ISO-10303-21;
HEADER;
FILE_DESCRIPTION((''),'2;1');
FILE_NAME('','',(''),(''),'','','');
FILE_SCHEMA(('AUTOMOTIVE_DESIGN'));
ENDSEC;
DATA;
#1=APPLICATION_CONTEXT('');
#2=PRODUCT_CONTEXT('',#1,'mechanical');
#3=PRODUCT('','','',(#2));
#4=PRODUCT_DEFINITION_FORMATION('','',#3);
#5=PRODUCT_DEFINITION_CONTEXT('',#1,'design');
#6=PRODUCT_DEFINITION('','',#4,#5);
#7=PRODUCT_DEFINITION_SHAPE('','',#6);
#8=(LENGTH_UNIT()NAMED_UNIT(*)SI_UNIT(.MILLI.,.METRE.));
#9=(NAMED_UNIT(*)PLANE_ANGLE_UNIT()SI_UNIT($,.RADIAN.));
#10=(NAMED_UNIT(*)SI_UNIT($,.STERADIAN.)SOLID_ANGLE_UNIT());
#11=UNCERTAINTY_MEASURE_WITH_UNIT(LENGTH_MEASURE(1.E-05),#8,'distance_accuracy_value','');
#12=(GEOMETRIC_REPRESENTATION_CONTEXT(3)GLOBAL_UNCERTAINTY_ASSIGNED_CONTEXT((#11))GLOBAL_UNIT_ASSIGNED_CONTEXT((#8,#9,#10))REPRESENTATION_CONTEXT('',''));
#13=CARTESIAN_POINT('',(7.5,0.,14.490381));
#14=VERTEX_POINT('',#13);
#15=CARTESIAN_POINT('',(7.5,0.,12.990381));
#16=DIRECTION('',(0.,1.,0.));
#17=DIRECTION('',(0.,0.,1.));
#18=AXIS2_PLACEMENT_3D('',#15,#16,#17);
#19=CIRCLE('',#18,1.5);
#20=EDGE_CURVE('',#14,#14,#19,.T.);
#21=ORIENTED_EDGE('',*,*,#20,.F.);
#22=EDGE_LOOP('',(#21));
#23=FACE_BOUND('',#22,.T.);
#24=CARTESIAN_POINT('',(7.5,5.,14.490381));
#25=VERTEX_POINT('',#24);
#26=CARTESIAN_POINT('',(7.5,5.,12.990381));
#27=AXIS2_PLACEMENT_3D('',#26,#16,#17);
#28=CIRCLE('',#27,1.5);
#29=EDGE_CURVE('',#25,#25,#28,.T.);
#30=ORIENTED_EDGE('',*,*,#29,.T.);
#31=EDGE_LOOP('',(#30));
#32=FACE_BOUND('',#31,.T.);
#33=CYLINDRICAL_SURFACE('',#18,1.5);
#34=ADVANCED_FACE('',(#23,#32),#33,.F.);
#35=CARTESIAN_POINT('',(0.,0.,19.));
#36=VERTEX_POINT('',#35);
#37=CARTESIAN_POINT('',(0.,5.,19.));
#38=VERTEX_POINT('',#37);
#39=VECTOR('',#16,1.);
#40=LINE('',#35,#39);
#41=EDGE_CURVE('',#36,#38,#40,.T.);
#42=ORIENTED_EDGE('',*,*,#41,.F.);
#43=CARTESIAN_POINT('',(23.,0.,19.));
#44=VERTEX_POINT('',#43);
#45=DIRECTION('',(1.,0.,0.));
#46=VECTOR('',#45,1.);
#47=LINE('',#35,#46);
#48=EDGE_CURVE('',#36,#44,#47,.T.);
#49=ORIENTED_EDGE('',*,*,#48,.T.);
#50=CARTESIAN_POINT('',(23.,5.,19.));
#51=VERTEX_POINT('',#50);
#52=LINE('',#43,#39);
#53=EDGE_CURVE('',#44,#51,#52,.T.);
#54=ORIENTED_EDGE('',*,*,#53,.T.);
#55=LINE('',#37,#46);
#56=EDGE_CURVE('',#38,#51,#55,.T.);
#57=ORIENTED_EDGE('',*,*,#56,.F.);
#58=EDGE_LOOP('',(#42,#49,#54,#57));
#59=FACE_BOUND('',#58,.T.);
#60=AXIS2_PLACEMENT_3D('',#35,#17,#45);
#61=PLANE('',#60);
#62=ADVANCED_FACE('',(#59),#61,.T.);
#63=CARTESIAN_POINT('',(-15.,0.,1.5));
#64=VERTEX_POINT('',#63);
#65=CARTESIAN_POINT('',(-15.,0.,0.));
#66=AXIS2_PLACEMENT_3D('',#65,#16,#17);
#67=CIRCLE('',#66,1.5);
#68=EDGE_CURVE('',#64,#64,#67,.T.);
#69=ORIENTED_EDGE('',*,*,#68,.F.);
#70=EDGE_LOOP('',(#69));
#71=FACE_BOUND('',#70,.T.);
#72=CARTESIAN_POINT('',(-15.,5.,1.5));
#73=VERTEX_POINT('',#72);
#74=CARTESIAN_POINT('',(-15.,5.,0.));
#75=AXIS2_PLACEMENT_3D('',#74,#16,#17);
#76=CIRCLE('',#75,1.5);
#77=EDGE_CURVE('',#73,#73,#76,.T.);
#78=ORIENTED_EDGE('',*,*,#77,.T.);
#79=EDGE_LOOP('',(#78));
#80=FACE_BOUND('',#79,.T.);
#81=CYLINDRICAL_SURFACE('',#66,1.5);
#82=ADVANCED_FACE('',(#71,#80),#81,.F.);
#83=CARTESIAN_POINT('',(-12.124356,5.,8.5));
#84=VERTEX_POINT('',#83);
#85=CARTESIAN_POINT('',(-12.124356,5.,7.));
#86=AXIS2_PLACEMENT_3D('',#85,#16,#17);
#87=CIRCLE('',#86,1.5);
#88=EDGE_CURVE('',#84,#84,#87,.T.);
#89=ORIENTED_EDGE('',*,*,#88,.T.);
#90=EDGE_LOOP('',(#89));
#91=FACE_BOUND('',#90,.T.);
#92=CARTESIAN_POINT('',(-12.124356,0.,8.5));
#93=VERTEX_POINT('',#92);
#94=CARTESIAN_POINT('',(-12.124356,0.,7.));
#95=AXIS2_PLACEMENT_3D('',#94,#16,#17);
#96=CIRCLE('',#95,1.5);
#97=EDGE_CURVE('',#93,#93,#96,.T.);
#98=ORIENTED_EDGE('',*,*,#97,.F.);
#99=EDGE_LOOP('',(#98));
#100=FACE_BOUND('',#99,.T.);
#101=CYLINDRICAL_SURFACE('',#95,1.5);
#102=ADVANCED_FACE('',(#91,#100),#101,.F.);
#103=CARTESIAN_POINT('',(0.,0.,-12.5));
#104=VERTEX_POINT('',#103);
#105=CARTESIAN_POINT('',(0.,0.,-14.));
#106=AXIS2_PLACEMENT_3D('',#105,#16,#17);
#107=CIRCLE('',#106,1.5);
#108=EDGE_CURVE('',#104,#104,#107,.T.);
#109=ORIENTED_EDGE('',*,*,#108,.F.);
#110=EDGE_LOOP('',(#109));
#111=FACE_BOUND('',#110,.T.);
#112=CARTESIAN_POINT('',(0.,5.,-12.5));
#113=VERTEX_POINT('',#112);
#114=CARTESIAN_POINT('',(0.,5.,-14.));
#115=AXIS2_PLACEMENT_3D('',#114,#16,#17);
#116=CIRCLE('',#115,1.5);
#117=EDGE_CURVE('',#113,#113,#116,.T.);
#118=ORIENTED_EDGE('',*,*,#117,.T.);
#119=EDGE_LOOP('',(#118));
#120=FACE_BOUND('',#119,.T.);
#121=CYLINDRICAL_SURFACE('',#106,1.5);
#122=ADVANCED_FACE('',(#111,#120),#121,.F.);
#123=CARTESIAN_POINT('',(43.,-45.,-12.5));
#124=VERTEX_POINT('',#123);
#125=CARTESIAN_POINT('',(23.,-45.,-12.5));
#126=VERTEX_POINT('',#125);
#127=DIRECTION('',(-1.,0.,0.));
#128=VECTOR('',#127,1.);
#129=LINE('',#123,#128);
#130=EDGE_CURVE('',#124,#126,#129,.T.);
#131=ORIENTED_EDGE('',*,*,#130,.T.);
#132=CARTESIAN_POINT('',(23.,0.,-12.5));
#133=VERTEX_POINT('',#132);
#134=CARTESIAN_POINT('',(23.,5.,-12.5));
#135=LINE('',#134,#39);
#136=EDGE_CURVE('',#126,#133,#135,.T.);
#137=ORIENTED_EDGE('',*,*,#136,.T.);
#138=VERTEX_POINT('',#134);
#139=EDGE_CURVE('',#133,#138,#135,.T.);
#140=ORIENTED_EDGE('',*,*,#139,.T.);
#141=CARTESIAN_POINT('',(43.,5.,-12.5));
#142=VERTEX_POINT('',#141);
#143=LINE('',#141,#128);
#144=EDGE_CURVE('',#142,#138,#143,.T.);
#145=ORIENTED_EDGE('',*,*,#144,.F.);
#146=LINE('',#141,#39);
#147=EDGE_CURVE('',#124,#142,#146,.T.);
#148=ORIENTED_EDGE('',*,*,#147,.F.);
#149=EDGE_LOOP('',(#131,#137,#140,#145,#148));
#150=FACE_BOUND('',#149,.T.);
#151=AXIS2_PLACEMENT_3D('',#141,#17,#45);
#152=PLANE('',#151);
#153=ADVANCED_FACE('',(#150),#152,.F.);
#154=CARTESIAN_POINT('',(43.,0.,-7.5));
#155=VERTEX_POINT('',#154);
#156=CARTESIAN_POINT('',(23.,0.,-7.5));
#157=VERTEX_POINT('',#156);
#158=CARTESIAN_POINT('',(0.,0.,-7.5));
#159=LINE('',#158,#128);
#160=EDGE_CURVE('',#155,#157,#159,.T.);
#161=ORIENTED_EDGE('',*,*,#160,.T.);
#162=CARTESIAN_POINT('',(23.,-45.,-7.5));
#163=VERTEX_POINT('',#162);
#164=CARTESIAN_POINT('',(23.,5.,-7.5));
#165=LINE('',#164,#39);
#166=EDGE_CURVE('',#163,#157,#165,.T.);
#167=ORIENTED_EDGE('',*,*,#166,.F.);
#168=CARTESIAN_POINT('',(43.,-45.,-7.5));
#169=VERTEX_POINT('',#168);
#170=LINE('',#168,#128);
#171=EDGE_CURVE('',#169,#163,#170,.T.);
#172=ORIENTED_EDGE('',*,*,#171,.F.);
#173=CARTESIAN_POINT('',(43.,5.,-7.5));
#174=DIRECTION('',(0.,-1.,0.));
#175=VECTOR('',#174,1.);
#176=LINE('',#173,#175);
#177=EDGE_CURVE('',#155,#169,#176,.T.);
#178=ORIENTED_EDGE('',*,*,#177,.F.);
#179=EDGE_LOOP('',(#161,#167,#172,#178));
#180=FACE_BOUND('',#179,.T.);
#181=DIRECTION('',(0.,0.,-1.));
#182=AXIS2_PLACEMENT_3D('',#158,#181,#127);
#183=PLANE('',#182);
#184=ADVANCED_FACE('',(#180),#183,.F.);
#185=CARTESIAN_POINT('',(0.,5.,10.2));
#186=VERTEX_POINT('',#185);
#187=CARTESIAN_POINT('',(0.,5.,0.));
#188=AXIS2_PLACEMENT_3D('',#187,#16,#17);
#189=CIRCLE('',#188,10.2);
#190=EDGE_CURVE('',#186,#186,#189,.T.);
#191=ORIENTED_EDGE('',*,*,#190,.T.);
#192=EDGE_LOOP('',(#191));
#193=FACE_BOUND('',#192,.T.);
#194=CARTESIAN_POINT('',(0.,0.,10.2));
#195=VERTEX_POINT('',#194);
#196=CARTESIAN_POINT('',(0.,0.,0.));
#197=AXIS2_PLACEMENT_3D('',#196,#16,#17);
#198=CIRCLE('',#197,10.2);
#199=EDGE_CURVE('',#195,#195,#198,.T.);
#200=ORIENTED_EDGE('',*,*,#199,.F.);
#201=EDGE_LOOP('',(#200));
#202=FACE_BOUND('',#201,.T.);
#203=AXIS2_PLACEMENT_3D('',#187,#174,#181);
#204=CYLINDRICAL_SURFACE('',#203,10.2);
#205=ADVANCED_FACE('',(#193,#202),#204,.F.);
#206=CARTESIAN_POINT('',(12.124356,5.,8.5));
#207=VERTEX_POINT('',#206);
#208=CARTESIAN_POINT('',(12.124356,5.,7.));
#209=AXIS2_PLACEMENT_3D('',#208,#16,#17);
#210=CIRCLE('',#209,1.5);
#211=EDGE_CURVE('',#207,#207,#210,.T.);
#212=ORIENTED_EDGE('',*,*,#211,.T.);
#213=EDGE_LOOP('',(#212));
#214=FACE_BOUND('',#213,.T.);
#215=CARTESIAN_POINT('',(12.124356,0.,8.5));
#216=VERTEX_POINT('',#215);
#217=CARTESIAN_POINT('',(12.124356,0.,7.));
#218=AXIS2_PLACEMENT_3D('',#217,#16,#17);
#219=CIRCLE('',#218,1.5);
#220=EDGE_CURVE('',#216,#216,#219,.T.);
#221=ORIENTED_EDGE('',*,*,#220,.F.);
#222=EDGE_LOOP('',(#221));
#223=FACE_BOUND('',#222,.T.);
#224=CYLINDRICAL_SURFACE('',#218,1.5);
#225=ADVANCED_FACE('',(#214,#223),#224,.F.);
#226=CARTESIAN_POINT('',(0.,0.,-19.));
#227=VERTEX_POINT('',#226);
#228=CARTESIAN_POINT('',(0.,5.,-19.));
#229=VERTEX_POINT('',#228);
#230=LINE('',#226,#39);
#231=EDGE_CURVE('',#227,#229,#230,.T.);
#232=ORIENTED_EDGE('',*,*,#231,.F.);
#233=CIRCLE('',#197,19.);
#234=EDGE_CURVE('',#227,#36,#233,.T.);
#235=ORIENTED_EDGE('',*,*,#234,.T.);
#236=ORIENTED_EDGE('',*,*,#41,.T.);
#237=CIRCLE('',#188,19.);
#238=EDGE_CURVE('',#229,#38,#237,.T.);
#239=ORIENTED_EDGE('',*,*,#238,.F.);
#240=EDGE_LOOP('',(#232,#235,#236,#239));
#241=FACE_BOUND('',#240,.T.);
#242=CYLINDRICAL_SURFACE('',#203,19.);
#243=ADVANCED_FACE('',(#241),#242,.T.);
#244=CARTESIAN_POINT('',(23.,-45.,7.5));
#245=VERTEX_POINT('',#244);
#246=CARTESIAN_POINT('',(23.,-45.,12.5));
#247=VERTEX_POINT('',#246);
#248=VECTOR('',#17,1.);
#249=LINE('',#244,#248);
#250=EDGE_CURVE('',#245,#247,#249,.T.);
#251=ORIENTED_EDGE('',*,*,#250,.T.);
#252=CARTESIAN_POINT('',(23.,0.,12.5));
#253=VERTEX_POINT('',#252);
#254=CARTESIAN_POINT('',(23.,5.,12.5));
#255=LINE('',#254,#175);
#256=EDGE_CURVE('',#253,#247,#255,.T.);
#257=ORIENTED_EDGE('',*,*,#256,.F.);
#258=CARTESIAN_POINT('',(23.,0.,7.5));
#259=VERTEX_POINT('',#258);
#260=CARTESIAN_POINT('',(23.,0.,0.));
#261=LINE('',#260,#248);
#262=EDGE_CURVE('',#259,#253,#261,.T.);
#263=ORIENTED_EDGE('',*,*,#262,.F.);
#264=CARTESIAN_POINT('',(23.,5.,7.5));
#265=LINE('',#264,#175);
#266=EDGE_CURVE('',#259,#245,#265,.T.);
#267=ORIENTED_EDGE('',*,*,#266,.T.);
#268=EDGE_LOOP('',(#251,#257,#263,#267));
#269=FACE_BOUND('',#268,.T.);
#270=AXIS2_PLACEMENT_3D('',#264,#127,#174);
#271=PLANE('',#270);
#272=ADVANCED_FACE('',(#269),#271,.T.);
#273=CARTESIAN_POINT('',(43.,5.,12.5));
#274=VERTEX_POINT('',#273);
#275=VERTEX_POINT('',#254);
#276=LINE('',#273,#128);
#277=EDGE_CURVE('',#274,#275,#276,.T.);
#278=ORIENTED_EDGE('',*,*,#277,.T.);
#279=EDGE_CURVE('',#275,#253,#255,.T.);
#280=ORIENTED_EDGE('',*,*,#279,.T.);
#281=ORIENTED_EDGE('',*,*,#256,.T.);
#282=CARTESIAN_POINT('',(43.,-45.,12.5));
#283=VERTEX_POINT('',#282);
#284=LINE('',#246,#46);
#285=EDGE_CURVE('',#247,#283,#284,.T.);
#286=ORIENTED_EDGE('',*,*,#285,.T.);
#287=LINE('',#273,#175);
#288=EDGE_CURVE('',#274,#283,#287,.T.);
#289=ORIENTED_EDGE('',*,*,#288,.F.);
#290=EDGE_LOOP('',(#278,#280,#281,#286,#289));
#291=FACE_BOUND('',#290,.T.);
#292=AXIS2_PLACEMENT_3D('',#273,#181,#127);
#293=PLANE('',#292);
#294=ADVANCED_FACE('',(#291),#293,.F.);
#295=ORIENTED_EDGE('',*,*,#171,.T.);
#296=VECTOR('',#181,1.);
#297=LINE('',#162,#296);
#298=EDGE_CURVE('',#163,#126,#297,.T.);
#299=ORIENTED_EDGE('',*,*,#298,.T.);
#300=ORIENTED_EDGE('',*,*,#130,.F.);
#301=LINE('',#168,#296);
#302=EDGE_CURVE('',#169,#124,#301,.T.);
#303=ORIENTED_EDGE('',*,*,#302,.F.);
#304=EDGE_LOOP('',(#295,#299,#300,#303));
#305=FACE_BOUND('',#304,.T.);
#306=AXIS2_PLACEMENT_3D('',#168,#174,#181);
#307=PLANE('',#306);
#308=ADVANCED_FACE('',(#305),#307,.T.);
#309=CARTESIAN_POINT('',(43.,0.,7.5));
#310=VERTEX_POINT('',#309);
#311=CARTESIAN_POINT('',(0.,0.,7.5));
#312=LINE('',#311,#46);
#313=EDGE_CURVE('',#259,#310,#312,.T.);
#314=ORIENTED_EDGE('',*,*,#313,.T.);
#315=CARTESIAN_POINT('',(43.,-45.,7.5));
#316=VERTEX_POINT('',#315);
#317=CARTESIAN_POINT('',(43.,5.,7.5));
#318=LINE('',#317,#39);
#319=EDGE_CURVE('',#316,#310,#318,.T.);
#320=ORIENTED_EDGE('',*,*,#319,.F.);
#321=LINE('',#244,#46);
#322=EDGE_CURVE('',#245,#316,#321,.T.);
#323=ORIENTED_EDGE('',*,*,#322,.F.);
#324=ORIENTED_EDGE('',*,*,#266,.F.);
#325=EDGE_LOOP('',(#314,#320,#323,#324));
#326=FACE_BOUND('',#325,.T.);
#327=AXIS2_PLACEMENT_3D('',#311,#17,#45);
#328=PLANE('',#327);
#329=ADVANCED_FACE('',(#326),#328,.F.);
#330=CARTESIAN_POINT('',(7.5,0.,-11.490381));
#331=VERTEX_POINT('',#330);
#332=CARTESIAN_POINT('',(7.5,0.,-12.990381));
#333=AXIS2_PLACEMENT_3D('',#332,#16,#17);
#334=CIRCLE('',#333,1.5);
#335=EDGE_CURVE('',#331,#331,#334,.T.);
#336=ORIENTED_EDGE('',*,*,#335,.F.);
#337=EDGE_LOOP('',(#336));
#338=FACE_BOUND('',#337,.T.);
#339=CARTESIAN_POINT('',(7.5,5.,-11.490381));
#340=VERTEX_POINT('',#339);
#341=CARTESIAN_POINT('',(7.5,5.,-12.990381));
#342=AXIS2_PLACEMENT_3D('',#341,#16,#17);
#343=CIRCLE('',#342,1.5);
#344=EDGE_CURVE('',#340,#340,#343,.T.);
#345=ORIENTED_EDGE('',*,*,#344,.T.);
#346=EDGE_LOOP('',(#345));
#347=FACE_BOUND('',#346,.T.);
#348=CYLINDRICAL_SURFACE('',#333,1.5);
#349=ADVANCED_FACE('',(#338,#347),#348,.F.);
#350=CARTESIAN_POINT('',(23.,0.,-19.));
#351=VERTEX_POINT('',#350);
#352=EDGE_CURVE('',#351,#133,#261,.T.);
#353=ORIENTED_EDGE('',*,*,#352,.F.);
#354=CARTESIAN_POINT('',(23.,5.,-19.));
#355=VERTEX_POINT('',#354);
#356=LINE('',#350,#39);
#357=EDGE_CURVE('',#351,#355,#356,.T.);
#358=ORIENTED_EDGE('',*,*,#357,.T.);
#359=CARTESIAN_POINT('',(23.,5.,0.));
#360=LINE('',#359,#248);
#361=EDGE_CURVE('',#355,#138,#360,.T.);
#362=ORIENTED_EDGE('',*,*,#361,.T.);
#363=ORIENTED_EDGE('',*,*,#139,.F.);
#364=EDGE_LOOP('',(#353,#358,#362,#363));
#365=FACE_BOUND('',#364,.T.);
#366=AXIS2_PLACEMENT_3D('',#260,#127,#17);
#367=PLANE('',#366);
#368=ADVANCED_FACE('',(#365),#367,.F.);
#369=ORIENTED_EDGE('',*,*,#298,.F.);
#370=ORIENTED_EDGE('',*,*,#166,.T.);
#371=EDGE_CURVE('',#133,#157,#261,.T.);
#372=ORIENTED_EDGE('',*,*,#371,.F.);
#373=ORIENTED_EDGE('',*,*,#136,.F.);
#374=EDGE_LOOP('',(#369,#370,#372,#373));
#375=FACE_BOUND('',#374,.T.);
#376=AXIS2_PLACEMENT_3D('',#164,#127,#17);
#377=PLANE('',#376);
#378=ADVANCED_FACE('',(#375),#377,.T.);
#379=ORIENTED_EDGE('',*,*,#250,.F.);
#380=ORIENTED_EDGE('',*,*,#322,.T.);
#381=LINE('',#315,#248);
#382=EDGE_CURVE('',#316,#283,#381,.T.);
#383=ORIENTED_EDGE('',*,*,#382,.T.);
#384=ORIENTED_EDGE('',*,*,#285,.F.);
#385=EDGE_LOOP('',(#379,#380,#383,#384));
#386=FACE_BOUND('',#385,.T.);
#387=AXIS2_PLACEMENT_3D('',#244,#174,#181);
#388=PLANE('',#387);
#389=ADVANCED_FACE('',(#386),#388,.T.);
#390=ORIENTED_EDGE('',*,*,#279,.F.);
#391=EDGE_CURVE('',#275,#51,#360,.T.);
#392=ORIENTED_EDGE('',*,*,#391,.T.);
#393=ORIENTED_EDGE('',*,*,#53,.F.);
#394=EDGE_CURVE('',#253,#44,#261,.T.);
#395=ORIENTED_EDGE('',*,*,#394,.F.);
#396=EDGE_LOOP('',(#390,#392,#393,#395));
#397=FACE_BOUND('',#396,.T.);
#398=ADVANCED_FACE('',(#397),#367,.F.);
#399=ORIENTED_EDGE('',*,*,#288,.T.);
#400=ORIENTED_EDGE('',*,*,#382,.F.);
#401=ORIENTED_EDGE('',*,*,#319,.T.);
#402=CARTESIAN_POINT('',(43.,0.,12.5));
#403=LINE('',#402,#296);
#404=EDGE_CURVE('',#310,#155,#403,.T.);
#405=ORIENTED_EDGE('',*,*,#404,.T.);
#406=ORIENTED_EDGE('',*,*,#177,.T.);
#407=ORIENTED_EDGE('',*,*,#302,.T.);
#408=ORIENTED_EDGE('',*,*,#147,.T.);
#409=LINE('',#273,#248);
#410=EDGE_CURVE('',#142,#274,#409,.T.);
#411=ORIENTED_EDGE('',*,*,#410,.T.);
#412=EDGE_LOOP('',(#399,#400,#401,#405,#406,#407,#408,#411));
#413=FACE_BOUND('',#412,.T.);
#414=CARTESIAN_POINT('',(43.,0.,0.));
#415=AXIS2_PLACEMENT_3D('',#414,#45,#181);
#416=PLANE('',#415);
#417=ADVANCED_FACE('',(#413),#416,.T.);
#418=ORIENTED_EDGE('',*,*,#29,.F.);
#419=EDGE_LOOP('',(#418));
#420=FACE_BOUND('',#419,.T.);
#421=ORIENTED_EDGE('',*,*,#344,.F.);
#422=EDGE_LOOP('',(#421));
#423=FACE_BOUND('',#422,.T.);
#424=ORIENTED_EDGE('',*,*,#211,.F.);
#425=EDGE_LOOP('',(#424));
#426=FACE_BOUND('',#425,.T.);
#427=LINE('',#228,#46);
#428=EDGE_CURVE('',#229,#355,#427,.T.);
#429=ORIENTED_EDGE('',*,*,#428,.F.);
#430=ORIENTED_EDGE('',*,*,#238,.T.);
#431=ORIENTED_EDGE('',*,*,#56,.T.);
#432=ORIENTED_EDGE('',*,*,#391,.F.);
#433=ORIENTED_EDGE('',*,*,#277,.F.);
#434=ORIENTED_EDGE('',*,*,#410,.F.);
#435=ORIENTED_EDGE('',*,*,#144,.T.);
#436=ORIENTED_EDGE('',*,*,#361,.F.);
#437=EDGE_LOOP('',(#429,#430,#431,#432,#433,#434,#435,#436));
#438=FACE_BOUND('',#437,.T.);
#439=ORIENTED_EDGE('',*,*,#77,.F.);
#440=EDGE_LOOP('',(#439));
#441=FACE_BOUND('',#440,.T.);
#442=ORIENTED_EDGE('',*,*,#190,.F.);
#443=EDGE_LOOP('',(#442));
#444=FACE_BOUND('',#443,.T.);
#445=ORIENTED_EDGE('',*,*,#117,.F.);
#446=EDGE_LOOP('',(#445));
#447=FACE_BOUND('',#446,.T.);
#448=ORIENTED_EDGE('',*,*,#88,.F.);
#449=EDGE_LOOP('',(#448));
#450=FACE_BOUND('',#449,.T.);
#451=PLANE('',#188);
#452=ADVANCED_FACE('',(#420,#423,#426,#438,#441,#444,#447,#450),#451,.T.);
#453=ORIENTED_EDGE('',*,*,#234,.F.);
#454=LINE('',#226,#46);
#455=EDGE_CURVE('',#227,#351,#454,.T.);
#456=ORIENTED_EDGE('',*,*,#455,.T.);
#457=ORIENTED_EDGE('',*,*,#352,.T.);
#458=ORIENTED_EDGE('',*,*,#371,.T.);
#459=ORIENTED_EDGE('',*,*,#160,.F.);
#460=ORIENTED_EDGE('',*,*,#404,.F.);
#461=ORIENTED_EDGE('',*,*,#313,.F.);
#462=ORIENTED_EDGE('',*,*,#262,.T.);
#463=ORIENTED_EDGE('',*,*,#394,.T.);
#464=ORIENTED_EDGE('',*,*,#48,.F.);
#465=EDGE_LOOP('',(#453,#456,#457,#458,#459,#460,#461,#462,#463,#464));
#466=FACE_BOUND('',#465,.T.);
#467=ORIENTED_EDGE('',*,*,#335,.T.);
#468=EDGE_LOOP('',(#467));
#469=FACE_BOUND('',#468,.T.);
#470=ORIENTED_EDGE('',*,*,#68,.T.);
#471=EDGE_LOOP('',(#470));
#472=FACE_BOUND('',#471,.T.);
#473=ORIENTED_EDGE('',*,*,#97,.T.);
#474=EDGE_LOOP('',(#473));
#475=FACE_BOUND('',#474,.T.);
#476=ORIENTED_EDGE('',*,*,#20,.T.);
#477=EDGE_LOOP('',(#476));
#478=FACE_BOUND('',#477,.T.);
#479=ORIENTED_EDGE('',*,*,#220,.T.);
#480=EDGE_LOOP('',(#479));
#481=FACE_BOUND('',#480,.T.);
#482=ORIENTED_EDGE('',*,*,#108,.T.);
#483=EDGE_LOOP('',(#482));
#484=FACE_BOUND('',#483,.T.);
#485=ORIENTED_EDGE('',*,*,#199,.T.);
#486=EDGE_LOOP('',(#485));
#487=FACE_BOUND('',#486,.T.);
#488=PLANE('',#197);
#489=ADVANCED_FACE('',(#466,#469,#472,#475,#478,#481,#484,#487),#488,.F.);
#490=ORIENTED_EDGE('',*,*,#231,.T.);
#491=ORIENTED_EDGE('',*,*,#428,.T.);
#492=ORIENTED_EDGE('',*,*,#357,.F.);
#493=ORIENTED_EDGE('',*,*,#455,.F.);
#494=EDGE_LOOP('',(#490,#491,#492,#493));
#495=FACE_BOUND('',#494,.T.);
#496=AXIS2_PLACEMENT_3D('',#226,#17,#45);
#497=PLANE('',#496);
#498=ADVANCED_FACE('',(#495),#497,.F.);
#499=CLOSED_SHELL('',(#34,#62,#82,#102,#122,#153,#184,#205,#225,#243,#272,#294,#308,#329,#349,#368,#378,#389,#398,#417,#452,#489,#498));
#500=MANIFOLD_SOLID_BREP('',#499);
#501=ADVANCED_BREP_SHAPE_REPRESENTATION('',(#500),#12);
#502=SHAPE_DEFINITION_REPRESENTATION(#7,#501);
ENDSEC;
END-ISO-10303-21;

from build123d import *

# Parameters (mm, degrees)
SKETCH1_R           = 19
SKETCH1_R_2         = 10.2
BOSS_EXTRUDE1_DEPTH = 5
SKETCH2_R           = 1.5
CUT_EXTRUDE1_DEPTH  = 5
BOSS_EXTRUDE2_START = -5
BOSS_EXTRUDE2_DEPTH = 5
SKETCH7_W           = 25
SKETCH7_H           = 5
BOSS_EXTRUDE5_DEPTH = 20
SKETCH8_W           = 20
SKETCH8_H           = 50
BOSS_EXTRUDE6_DEPTH = 5
SKETCH9_W           = 20
SKETCH9_H           = 50
BOSS_EXTRUDE7_DEPTH = 5


with BuildPart() as part:
    # Sketch1 → Boss-Extrude1 (new body)
    with BuildSketch(Plane(origin=(0, 0, 0), x_dir=(1, 0, 0), z_dir=(0, 1, 0))):
        with Locations(Location((0, 0, 0), (0, 0, 270))):
            Circle(SKETCH1_R)
        with Locations(Location((0, 0, 0), (0, 0, 270))):
            Circle(SKETCH1_R_2, mode=Mode.SUBTRACT)
    extrude(amount=BOSS_EXTRUDE1_DEPTH)

    # Sketch2 → Cut-Extrude1 (cut)
    with BuildSketch(Plane(origin=(0, 5, 0), x_dir=(1, 0, 0), z_dir=(0, 1, 0))):
        with Locations(Location((0, 14, 0), (0, 0, 270))):
            Circle(SKETCH2_R)
        with Locations(Location((7.5, 12.990381057, 0), (0, 0, 270))):
            Circle(SKETCH2_R)
        with Locations(Location((12.124355653, -7, 0), (0, 0, 270))):
            Circle(SKETCH2_R)
        with Locations(Location((7.5, -12.990381057, 0), (0, 0, 270))):
            Circle(SKETCH2_R)
        with Locations(Location((-12.124355653, -7, 0), (0, 0, 270))):
            Circle(SKETCH2_R)
        with Locations(Location((-15, 0, 0), (0, 0, 270))):
            Circle(SKETCH2_R)
    extrude(amount=-CUT_EXTRUDE1_DEPTH, mode=Mode.SUBTRACT)

    # Sketch3 → Boss-Extrude2 (add)
    with BuildSketch(Plane(origin=(0, 5, 0), x_dir=(1, 0, 0), z_dir=(0, 1, 0)).offset(BOSS_EXTRUDE2_START)):
        with BuildLine():
            ThreePointArc((19, 0), (13.435028843, -13.435028843), (0, -19))
            Line((0, -19), (23, -19))
            Line((23, -19), (23, 19))
            Line((23, 19), (0, 19))
            ThreePointArc((0, 19), (13.435028843, 13.435028843), (19, 0))
        make_face()
    extrude(amount=BOSS_EXTRUDE2_DEPTH)

    # Sketch7 → Boss-Extrude5 (add)
    with BuildSketch(Plane(origin=(23, 0, 0), x_dir=(0, 0, -1), z_dir=(1, 0, 0))):
        with Locations((0, 2.5)):
            Rectangle(SKETCH7_W, SKETCH7_H)
    extrude(amount=BOSS_EXTRUDE5_DEPTH)

    # Sketch8 → Boss-Extrude6 (add)
    with BuildSketch(Plane.XY.offset(12.5)):
        with Locations((33, -20)):
            Rectangle(SKETCH8_W, SKETCH8_H)
    extrude(amount=-BOSS_EXTRUDE6_DEPTH)

    # Sketch9 → Boss-Extrude7 (add)
    with BuildSketch(Plane(origin=(0, 0, -12.5), x_dir=(-1, 0, 0), z_dir=(0, 0, -1))):
        with Locations((-33, -20)):
            Rectangle(SKETCH9_W, SKETCH9_H)
    extrude(amount=-BOSS_EXTRUDE7_DEPTH)


solid = part.part
